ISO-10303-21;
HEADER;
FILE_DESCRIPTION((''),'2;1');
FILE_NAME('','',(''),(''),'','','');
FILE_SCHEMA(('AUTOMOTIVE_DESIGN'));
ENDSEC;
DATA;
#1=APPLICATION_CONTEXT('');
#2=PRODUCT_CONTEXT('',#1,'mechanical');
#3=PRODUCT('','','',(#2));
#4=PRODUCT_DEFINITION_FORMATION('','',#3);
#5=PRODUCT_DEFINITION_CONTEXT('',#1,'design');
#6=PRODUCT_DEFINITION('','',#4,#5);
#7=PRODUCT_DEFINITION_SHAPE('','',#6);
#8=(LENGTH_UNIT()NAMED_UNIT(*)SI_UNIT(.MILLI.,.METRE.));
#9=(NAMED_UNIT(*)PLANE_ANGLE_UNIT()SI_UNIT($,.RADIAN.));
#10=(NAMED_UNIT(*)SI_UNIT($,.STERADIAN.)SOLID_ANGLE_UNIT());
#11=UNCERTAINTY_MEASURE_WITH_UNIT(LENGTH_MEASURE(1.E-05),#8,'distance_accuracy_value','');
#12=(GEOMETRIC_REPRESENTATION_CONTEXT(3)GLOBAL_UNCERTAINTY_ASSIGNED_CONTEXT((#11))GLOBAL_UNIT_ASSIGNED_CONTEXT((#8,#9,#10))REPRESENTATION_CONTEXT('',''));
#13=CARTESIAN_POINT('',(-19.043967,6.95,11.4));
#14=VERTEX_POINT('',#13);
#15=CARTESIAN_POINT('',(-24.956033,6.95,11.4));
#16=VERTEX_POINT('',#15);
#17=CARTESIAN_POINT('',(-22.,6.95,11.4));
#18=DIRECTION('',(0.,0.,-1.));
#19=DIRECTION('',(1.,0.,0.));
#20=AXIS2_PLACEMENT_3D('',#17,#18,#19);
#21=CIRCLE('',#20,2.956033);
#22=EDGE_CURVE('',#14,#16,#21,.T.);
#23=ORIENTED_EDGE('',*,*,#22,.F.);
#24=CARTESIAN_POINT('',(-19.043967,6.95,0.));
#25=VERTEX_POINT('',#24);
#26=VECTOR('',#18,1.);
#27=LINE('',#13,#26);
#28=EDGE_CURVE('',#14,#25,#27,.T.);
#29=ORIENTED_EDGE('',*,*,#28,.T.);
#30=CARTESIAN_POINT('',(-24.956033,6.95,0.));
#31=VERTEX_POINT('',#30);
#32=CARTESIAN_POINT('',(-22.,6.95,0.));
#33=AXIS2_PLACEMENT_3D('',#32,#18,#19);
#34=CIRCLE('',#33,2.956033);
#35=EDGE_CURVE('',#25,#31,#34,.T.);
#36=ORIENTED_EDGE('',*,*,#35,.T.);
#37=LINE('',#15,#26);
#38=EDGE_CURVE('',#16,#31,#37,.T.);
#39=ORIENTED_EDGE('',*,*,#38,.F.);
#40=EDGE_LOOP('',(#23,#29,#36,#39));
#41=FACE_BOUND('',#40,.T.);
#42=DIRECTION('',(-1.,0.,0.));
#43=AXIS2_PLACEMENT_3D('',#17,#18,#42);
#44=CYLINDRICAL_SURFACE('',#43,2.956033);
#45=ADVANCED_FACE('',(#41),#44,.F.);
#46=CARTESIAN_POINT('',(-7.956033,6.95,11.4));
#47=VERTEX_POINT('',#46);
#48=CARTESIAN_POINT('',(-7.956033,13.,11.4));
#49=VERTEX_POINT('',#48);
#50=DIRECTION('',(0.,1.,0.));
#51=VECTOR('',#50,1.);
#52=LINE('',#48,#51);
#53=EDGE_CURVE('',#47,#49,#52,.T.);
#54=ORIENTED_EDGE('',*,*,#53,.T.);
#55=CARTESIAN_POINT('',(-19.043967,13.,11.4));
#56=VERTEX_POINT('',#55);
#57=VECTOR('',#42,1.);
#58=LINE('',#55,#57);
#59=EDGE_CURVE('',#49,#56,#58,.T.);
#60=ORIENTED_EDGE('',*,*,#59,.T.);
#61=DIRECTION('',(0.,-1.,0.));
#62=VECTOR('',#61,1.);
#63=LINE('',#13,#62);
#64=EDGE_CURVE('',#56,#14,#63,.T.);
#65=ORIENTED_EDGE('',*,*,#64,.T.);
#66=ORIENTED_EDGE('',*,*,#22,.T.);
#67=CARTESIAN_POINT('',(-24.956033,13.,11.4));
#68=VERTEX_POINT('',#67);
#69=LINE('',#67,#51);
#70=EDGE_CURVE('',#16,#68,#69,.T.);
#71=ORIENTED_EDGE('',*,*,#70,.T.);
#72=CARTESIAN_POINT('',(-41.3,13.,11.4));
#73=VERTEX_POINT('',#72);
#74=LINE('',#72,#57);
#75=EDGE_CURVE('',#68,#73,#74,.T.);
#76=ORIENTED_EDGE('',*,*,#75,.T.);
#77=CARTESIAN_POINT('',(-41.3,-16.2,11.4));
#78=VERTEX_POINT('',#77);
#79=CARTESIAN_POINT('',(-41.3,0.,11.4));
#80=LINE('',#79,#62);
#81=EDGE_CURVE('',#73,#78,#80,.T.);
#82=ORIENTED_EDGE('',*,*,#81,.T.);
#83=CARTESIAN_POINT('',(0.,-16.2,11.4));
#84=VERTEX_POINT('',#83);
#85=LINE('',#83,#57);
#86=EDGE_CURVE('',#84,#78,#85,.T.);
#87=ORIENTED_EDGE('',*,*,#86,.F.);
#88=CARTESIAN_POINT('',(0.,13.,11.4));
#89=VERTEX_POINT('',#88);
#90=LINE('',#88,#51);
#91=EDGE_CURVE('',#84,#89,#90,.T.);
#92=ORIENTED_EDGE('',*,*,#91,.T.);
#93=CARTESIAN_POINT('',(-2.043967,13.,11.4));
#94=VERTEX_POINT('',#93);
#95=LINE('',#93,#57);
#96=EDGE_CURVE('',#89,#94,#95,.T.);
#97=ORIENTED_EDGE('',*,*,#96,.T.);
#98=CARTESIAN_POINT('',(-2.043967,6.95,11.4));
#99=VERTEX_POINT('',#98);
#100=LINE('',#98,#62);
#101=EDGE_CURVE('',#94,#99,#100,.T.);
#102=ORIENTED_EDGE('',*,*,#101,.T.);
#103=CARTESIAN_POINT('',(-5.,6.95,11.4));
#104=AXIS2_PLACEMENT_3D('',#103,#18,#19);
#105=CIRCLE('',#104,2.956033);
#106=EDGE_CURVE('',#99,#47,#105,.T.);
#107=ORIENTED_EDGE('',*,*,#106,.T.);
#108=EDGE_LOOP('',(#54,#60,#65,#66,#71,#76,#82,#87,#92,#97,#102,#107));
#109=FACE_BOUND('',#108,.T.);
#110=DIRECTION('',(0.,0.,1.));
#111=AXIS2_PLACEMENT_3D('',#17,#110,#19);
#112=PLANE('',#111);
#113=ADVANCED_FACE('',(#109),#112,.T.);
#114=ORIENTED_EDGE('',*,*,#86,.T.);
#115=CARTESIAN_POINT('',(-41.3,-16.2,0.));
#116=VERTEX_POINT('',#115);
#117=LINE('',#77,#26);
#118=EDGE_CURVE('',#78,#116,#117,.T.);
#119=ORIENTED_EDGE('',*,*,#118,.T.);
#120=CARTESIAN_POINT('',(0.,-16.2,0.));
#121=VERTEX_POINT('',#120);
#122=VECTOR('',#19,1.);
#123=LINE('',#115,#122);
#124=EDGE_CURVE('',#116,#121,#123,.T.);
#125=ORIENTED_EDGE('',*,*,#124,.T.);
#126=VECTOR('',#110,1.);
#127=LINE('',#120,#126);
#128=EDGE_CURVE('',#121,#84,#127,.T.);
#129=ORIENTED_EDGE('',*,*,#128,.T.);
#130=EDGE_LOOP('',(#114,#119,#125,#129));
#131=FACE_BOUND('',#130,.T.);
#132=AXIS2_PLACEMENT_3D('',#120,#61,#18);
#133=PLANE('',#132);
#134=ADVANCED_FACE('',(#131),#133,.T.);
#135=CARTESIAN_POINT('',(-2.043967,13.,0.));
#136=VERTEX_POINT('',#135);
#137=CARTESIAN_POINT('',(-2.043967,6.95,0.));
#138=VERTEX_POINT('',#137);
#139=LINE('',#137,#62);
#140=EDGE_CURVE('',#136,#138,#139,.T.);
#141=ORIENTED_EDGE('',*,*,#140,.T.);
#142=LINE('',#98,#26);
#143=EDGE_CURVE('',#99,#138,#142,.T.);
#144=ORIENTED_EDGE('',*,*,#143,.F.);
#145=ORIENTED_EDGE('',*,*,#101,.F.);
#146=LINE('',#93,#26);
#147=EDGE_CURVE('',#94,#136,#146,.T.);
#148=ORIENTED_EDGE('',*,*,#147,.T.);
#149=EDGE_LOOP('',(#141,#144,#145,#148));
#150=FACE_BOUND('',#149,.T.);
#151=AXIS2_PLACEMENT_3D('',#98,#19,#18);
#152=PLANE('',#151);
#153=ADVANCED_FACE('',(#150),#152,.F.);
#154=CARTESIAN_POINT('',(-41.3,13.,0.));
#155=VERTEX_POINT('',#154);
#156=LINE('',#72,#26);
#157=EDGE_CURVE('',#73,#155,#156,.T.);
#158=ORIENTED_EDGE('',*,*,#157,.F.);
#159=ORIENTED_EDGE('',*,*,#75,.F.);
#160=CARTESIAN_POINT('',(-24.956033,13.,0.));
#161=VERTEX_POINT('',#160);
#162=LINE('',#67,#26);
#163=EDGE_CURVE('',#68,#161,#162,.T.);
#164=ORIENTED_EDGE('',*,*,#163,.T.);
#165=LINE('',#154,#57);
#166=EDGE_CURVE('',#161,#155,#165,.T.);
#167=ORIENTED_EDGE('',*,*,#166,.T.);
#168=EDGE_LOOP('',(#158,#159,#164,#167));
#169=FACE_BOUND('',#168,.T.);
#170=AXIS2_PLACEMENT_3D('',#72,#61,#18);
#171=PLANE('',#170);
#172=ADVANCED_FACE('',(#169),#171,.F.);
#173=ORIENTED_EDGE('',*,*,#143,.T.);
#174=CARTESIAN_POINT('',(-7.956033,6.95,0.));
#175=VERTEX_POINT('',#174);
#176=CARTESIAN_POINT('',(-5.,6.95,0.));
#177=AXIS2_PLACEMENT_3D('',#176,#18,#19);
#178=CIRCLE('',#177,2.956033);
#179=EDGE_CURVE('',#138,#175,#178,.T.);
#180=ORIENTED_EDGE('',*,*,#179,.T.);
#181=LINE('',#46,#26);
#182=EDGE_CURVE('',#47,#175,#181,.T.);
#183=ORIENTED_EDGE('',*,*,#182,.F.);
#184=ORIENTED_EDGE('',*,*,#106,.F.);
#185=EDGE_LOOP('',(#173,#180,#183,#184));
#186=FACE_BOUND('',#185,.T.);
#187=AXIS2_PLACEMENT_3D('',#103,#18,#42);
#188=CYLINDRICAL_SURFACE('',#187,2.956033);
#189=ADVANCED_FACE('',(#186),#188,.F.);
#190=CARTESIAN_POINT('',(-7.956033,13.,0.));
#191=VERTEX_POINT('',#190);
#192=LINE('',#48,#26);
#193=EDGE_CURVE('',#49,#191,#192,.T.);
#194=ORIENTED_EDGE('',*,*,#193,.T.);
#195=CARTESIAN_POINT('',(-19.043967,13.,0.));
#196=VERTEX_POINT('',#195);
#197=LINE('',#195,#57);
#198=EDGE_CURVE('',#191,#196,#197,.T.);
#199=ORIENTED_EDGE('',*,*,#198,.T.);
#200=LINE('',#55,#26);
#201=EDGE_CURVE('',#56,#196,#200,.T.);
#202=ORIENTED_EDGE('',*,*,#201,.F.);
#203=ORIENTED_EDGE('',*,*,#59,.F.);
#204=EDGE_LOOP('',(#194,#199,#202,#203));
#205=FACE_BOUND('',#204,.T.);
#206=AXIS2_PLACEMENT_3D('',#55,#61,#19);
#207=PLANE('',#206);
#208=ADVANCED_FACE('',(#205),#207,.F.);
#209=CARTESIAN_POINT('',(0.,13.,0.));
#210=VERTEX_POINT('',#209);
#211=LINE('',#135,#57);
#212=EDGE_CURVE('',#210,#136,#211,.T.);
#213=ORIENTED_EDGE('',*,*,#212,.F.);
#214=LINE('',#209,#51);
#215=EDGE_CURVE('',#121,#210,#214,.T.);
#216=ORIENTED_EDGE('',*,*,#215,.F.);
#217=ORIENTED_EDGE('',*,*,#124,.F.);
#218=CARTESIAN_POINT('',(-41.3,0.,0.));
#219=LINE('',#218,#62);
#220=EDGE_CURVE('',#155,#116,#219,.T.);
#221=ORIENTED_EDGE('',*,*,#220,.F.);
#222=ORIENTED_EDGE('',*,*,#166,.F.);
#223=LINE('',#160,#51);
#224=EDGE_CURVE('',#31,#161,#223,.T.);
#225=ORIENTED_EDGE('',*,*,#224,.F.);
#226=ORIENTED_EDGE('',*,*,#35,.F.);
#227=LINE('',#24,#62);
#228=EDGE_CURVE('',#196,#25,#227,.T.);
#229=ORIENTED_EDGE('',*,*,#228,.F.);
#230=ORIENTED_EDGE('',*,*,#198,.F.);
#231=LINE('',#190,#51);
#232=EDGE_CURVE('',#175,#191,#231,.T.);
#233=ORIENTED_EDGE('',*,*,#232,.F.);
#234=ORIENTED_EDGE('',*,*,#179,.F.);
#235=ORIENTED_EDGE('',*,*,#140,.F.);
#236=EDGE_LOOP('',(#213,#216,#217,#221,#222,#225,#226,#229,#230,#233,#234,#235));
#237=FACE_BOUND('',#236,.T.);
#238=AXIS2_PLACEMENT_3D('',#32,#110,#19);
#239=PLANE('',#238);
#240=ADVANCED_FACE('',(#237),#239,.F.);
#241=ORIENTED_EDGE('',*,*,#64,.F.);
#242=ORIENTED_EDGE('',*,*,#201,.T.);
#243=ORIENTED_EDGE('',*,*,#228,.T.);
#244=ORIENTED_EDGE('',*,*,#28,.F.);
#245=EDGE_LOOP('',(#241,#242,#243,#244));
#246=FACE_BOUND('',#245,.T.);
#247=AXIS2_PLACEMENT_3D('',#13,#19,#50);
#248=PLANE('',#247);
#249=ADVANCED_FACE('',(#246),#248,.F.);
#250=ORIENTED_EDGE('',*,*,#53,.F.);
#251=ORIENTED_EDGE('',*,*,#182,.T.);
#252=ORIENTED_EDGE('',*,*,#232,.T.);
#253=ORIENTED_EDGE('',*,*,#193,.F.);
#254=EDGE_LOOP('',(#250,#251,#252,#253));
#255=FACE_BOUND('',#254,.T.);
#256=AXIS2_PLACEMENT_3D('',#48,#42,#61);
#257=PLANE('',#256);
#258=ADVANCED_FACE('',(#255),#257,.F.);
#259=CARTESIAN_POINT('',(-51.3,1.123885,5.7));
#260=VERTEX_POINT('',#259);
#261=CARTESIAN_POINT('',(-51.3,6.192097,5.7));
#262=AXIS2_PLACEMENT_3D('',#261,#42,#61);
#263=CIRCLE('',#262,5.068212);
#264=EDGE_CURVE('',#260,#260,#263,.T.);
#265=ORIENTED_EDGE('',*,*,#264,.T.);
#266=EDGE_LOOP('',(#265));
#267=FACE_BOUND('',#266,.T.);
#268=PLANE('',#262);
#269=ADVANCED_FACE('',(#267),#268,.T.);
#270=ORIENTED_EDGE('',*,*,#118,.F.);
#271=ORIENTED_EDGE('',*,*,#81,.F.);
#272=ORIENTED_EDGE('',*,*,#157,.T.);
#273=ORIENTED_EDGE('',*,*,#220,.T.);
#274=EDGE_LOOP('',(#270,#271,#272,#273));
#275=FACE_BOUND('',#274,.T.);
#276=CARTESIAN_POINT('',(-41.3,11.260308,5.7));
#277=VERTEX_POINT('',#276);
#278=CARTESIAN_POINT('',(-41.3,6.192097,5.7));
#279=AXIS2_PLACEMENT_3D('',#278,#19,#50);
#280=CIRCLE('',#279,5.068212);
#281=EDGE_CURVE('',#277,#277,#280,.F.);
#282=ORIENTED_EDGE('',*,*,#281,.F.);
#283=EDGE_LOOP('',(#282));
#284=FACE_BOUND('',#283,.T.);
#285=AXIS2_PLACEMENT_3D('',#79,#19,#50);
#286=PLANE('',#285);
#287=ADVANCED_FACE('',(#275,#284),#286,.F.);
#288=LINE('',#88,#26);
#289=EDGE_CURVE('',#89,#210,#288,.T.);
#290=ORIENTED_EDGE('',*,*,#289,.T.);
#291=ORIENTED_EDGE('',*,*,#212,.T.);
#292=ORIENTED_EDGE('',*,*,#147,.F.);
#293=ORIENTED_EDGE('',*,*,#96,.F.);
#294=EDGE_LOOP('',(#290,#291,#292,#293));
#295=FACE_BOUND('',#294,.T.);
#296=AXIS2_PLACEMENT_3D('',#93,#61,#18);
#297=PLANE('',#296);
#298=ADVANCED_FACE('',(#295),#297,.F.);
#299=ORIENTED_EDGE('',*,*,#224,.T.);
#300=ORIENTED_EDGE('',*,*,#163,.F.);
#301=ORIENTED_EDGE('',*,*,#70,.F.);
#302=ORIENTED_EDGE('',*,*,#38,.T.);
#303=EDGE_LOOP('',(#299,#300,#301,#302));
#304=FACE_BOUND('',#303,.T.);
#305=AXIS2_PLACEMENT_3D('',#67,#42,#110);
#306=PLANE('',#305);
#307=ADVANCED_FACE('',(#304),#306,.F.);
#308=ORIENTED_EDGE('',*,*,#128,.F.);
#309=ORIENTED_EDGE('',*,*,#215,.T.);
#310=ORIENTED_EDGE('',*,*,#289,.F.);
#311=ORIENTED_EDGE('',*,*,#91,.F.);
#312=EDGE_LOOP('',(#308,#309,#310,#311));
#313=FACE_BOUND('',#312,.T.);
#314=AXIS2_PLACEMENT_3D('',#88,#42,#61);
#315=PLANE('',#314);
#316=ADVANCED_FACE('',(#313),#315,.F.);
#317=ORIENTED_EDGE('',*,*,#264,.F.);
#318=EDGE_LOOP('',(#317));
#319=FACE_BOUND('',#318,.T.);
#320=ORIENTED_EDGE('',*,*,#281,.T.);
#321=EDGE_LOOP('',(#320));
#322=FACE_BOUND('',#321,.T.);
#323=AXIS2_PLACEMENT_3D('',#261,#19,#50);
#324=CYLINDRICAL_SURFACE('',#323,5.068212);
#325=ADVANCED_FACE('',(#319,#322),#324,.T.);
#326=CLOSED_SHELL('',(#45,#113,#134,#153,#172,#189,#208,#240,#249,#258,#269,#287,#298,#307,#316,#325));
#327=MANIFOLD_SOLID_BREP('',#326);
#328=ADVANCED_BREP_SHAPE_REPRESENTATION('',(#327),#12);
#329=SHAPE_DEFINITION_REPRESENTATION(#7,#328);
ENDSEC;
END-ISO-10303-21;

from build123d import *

# Parameters (mm, degrees)
BOSS_EXTRUDE1_DEPTH = 11.4
SKETCH2_W           = 41.3
SKETCH2_H           = 11.4
BOSS_EXTRUDE2_DEPTH = 16.2
SKETCH3_R           = 5.068211815
BOSS_EXTRUDE3_DEPTH = 10


with BuildPart() as part:
    # Sketch1 → Boss-Extrude1 (new body)
    with BuildSketch(Plane.XY):
        with BuildLine():
            Line((0, 0), (-41.3, 0))
            Line((-41.3, 0), (-41.3, 13))
            Line((-41.3, 13), (-24.95603272, 13))
            Line((-24.95603272, 13), (-24.95603272, 6.95))
            ThreePointArc((-24.95603272, 6.95), (-22, 3.99396728), (-19.04396728, 6.95))
            Line((-19.04396728, 6.95), (-19.04396728, 13))
            Line((-19.04396728, 13), (-7.95603272, 13))
            Line((-7.95603272, 13), (-7.95603272, 6.95))
            ThreePointArc((-7.95603272, 6.95), (-5, 3.99396728), (-2.04396728, 6.95))
            Line((-2.04396728, 6.95), (-2.04396728, 13))
            Line((-2.04396728, 13), (0, 13))
            Line((0, 13), (0, 0))
        make_face()
    extrude(amount=BOSS_EXTRUDE1_DEPTH)

    # Sketch2 → Boss-Extrude2 (add)
    with BuildSketch(Plane.XZ):
        with Locations((-20.65, 5.7)):
            Rectangle(SKETCH2_W, SKETCH2_H)
    extrude(amount=BOSS_EXTRUDE2_DEPTH)

    # Sketch3 → Boss-Extrude3 (add)
    with BuildSketch(Plane.ZY.offset(41.3)):
        with Locations(Location((5.7, 6.192096644, 0), (0, 0, 90))):
            Circle(SKETCH3_R)
    extrude(amount=BOSS_EXTRUDE3_DEPTH)


solid = part.part
